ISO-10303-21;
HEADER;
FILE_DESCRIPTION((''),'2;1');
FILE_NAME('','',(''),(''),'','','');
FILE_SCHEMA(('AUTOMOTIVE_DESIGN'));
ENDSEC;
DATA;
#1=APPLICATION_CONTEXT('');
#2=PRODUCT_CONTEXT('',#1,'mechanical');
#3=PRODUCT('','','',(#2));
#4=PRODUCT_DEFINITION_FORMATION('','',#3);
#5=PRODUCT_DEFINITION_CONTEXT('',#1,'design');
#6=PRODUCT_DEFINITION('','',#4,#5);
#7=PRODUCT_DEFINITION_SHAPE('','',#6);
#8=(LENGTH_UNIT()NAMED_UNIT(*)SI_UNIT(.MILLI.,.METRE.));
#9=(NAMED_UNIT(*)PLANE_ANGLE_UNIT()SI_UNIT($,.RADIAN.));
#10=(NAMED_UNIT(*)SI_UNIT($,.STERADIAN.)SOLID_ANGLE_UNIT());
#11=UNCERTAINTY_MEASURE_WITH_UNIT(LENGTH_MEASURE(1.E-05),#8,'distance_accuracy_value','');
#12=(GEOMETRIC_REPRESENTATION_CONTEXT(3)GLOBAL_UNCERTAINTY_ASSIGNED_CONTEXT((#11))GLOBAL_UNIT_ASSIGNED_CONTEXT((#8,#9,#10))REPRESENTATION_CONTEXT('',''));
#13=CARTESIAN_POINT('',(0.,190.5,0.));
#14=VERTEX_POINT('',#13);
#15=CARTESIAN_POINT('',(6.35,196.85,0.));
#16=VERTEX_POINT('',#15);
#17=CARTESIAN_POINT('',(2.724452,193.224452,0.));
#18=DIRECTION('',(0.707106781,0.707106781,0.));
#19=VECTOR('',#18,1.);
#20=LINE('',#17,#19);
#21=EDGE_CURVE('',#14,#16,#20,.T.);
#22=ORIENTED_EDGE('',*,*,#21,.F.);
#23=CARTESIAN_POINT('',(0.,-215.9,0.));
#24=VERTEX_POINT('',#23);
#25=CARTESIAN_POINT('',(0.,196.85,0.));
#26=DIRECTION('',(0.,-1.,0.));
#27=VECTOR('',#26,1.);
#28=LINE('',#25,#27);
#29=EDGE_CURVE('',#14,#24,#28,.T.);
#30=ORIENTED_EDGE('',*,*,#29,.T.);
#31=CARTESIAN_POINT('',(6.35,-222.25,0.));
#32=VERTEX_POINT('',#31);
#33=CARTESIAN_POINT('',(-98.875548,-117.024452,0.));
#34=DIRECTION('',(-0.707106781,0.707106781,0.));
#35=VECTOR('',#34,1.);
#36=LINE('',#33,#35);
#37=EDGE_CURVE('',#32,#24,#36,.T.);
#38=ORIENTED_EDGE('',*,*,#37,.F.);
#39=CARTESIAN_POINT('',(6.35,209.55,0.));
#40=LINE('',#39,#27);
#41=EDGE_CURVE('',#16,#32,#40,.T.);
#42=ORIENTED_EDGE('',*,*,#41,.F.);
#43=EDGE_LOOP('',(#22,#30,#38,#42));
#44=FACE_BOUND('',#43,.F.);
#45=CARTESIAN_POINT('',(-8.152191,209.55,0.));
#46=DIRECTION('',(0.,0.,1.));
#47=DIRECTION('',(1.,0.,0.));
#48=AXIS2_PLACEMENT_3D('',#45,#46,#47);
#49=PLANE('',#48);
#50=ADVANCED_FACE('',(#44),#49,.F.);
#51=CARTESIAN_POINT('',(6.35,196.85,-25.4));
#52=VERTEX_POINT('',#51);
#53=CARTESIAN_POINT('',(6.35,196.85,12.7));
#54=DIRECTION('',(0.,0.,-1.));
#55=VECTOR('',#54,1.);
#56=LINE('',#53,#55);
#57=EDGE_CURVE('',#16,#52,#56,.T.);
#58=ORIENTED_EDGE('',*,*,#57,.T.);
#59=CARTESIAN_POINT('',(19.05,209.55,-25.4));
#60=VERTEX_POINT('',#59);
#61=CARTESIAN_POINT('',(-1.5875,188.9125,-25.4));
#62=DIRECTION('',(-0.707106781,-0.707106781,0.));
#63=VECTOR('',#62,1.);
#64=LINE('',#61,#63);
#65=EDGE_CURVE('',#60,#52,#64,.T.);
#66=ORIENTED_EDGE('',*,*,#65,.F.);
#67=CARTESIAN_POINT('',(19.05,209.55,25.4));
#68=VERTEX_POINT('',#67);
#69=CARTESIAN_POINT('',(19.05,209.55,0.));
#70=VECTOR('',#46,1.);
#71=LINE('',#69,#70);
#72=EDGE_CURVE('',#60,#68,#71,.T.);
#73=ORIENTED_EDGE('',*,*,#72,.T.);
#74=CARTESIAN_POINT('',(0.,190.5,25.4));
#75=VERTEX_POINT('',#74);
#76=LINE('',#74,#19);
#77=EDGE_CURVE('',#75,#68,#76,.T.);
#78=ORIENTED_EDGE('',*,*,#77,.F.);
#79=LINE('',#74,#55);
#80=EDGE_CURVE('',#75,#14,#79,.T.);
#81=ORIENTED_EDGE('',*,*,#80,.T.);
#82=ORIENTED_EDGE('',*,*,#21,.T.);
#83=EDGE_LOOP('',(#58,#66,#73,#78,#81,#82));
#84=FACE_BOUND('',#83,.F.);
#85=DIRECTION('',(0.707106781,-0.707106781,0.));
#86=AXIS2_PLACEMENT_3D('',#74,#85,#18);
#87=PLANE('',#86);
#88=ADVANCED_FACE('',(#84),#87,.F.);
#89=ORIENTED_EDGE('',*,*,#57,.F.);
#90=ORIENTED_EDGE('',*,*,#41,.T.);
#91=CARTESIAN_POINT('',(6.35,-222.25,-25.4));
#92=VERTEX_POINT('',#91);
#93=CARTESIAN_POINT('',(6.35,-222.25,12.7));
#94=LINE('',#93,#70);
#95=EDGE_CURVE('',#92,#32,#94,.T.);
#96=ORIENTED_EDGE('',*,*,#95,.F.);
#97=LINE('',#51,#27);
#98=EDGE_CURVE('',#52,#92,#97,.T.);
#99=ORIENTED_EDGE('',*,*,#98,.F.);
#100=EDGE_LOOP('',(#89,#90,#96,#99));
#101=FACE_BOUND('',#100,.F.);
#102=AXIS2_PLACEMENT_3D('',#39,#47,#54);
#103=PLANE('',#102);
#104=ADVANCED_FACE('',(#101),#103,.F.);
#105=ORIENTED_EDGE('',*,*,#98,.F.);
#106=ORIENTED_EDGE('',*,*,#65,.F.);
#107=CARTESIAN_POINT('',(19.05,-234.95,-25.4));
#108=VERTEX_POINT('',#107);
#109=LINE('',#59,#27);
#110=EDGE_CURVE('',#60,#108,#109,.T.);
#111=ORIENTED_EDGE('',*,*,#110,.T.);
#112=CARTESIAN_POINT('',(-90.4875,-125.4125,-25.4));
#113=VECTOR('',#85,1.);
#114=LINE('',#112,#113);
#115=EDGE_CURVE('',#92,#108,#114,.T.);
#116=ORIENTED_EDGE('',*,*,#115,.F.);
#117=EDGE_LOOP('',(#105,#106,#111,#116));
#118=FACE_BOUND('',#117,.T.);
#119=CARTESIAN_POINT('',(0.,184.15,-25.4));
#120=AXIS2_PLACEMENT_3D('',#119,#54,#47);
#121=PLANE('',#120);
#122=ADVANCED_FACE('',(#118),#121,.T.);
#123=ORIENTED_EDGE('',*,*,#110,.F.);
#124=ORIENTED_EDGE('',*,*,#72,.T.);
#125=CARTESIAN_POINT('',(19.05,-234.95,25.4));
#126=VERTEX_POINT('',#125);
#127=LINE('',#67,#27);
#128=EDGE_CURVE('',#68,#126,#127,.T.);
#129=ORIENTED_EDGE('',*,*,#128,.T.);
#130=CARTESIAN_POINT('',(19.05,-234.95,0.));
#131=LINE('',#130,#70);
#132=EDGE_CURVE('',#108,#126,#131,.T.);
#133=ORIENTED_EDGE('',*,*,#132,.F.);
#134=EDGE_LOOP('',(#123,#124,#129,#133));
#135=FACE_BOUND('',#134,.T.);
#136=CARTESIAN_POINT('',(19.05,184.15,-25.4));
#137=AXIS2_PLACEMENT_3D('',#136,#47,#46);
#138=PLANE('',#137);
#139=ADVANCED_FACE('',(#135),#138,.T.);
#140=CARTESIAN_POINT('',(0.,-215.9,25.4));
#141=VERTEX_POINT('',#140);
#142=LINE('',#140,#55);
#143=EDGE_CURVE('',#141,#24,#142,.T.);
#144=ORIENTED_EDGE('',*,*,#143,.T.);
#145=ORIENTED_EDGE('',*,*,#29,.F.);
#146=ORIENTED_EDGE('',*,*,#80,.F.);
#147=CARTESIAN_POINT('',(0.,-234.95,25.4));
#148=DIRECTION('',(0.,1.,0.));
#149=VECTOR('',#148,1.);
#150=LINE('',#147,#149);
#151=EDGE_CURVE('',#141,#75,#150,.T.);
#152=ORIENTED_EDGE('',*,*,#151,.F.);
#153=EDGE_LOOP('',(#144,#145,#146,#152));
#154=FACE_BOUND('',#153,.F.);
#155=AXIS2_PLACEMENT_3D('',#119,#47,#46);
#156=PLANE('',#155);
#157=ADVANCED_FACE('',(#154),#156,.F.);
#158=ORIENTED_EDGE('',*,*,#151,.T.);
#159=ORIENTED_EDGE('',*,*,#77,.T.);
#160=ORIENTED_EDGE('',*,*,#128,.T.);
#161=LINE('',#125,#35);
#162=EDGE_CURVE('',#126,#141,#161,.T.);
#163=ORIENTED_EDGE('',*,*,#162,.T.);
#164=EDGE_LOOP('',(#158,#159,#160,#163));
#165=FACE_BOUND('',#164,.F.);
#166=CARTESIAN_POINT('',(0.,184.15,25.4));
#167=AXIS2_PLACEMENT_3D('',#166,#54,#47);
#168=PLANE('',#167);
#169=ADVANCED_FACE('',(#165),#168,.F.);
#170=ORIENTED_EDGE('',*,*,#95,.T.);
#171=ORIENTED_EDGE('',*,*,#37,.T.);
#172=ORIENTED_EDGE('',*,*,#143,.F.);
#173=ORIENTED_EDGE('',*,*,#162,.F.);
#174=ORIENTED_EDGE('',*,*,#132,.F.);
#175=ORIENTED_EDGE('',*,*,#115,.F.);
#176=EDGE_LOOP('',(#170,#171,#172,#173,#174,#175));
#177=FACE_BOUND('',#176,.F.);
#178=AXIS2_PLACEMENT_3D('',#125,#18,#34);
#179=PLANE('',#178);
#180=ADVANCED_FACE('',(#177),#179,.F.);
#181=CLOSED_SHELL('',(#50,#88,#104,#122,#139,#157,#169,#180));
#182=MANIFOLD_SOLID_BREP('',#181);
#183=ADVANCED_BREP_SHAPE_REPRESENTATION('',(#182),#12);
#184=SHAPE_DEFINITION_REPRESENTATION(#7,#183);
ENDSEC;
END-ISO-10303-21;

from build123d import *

# Parameters (mm, degrees)
F0_W     = 368.3
F0_H     = 50.8
F1_DEPTH = 19.05
F2_DEPTH = 50.8
F3_DEPTH = 25.4
F5_DEPTH = 444.501
F7_DEPTH = 50.801


with BuildPart() as f1:
    # F0 (on Right) → F1 (new body)
    with BuildSketch(Plane.YZ):
        Rectangle(F0_W, F0_H)
    extrude(amount=F1_DEPTH)

    # F2 (add): a face of the model
    f2_faces = [f1.faces().sort_by_distance(p)[0] for p in [
        (9.525, -184.15, 0),
    ]]
    extrude(f2_faces, amount=F2_DEPTH)

    # F3 (add): a face of the model
    f3_faces = [f1.faces().sort_by_distance(p)[0] for p in [
        (9.525, 184.15, 0),
    ]]
    extrude(f3_faces, amount=F3_DEPTH)

    # F4 (on face) → F5 (cut, through all)
    with BuildSketch(Plane(origin=(0, 209.55, 0), x_dir=(-1, 0, 0), z_dir=(0, 1, 0))):
        Polygon((-6.35, 0), (-6.35, -25.4), (-6.35, -26.9535556436), (8.1521905959, -26.9535556436), (8.1521905959, 0), align=None)
    extrude(amount=-F5_DEPTH, mode=Mode.SUBTRACT)

    # F6 (on face) → F7 (cut, through all)
    with BuildSketch(Plane.XY.offset(25.4)):
        Polygon((0, 190.5), (19.05, 209.55), (19.2840322852, 224.0246832371), (-11.843809858, 224.0246832371), (-11.843809858, 190.5), align=None)
        Polygon((19.05, -242.6750212908), (19.05, -234.95), (0, -215.9), (-3.5010655411, -215.9), (-3.5010655411, -242.6750212908), align=None)
    extrude(amount=-F7_DEPTH, mode=Mode.SUBTRACT)


solid = f1.part
